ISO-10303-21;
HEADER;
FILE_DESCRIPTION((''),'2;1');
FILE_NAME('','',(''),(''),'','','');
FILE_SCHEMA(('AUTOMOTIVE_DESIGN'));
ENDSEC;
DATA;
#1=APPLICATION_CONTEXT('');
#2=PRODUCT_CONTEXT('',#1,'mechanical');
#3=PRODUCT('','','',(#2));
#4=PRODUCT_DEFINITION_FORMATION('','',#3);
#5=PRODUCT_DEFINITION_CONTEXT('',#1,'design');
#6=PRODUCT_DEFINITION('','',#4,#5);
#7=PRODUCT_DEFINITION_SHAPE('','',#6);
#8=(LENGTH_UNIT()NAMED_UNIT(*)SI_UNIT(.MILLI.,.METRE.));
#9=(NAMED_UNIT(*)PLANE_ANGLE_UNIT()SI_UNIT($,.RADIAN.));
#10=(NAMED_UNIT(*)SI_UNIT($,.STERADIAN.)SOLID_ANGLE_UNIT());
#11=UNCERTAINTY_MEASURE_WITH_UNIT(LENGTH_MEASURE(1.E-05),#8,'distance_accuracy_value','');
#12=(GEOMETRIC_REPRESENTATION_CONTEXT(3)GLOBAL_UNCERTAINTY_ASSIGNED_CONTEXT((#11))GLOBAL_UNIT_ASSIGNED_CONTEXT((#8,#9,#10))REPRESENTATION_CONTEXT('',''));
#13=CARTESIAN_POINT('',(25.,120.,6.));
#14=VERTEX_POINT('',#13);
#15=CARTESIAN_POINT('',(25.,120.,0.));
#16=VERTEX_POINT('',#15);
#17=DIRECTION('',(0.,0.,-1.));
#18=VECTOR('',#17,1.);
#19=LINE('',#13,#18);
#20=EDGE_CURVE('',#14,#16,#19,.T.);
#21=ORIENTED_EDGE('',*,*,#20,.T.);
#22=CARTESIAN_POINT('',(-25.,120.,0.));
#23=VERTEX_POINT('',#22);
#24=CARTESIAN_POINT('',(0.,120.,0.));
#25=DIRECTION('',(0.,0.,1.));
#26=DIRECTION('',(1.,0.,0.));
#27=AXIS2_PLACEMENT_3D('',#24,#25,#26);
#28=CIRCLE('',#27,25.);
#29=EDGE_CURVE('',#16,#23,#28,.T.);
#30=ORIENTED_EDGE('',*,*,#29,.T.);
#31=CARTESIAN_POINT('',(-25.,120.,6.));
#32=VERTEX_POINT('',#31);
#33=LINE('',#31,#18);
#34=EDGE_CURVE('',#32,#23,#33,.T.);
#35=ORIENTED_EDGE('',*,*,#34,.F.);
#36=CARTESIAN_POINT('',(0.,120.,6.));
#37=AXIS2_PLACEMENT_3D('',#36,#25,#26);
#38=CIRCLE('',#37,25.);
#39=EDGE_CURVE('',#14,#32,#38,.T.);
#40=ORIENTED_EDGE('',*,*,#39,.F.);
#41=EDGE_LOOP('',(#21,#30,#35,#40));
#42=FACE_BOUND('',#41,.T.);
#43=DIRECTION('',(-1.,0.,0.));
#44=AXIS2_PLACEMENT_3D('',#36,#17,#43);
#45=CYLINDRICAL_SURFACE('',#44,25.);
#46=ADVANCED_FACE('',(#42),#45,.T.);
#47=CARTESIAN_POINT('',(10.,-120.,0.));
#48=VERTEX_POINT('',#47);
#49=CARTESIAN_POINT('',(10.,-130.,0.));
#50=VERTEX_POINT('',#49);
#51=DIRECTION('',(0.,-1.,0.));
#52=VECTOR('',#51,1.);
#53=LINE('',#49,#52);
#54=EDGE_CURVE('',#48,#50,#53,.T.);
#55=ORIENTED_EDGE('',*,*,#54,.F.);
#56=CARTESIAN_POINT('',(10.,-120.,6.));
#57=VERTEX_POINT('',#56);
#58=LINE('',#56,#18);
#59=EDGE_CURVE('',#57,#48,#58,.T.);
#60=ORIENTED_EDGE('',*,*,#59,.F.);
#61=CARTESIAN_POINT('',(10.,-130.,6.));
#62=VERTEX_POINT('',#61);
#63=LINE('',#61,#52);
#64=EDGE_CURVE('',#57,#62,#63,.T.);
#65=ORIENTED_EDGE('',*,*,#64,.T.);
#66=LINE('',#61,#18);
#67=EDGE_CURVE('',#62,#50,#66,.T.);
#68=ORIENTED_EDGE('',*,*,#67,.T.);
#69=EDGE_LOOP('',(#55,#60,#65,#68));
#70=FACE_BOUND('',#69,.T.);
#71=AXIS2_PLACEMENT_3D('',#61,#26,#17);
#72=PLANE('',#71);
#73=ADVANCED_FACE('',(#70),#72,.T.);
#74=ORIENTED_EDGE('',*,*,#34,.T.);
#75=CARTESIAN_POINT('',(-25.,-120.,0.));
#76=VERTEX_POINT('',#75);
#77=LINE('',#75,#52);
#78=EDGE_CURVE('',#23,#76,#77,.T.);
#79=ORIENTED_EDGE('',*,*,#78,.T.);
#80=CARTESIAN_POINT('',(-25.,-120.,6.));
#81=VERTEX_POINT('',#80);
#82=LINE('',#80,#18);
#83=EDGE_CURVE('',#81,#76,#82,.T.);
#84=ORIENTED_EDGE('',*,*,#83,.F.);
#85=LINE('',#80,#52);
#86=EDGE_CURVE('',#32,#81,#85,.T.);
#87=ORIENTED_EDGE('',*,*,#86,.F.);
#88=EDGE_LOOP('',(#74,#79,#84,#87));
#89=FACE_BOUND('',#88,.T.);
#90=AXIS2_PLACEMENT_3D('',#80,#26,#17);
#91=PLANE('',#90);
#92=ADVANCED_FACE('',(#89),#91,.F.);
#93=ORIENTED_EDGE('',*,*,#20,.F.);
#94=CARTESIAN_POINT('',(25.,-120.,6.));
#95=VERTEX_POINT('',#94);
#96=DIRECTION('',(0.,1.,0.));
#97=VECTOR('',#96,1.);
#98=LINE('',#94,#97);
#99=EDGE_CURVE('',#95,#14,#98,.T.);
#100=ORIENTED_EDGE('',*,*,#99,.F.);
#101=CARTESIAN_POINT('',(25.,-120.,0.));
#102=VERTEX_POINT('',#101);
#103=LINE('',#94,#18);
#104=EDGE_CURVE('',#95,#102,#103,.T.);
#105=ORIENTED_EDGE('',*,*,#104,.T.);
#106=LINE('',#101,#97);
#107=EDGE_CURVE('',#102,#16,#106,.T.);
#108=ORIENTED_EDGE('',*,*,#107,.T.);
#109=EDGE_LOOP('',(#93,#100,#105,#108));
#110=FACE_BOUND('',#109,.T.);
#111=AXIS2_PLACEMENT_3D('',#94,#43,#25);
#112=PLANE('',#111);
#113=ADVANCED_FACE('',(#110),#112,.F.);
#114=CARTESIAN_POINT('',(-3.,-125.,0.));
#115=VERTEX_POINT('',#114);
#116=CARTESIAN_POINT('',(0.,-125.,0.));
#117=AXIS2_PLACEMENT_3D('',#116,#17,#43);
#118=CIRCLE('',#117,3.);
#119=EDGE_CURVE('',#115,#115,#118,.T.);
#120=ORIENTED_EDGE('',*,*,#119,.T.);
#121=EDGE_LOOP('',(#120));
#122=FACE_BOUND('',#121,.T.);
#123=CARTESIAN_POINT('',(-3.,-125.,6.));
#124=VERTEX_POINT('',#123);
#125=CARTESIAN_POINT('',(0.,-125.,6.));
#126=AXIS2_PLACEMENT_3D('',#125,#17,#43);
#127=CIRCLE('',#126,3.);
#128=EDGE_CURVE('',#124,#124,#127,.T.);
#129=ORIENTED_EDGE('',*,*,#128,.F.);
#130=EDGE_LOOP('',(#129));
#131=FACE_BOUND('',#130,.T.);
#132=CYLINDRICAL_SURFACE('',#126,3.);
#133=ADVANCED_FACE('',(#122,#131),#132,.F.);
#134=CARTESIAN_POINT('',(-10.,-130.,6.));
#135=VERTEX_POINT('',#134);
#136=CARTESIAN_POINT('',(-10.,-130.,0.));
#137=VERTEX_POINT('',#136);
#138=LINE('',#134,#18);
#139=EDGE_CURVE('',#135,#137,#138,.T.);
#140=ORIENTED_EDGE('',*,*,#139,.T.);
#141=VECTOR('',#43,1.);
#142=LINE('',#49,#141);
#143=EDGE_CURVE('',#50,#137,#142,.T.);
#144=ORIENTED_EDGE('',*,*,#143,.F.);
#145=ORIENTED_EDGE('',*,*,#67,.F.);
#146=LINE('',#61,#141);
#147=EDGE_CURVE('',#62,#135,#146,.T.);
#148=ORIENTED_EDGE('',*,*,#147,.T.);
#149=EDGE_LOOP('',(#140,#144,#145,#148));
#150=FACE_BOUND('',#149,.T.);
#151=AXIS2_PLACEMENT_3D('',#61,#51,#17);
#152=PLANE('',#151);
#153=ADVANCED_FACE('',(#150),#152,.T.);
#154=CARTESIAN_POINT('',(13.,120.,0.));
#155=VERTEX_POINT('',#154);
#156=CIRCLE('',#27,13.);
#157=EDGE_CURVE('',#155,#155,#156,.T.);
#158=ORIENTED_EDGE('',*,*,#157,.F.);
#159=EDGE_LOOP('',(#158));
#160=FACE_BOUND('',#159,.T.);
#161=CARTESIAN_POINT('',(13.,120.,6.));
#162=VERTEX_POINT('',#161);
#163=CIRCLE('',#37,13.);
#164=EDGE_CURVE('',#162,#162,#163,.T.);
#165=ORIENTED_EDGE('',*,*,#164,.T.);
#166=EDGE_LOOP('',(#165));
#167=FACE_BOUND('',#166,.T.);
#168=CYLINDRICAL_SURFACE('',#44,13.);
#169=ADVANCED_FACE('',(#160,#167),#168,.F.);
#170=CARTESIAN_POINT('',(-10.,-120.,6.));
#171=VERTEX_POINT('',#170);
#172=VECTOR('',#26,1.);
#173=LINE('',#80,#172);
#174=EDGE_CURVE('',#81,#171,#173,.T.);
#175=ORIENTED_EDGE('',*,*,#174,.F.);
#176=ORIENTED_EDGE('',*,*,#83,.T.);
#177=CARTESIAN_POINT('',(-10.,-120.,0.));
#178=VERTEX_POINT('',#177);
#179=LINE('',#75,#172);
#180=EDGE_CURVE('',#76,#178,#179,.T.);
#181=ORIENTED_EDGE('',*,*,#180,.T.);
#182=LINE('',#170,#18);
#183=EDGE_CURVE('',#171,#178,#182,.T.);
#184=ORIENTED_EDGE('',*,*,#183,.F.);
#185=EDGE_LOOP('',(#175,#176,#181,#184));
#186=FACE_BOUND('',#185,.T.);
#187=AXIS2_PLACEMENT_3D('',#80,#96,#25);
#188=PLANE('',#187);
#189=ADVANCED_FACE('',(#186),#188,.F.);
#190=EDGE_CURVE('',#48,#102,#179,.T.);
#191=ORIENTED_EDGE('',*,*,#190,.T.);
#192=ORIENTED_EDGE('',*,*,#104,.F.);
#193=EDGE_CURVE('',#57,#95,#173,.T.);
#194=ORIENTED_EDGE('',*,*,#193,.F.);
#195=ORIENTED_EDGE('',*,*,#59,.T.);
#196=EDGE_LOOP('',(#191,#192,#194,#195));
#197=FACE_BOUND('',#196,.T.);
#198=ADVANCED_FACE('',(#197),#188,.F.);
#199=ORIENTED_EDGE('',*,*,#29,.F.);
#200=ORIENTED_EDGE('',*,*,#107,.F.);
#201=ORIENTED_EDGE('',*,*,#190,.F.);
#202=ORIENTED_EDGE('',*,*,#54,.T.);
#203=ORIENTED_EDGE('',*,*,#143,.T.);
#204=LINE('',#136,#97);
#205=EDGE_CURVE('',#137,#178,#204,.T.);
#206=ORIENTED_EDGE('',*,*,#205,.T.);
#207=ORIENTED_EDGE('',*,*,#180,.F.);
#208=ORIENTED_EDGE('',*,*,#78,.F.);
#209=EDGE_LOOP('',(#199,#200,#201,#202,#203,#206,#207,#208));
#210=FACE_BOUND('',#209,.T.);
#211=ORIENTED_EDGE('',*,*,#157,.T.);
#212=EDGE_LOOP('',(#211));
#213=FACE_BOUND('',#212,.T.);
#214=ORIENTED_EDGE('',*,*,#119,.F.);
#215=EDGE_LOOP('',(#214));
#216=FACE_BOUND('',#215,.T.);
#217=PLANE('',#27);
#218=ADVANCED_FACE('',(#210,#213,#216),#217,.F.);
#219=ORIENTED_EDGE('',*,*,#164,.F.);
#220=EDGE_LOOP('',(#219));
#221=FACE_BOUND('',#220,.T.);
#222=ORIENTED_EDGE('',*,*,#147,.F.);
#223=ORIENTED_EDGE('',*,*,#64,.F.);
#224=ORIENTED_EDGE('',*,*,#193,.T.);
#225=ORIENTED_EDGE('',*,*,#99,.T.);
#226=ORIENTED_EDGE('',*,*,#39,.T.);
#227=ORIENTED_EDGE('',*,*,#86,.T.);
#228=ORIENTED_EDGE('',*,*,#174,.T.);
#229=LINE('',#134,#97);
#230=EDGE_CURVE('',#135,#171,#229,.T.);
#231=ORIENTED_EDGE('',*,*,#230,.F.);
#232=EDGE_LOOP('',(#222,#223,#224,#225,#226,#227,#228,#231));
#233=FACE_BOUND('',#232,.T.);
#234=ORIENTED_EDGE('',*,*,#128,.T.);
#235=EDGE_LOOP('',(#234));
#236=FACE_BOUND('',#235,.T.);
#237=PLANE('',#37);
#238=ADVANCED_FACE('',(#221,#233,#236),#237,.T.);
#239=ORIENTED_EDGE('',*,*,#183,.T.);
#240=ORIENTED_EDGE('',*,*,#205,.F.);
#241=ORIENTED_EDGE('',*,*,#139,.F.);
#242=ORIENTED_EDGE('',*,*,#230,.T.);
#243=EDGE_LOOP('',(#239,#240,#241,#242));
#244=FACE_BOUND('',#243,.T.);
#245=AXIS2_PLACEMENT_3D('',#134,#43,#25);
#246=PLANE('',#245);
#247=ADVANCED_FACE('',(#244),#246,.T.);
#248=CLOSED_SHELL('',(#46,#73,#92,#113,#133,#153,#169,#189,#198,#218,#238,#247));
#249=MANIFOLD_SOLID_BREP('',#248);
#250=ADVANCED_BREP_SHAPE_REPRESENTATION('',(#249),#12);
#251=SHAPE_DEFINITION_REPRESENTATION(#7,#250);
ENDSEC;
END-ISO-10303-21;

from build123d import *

# Parameters (mm, degrees)
SKETCH1_R           = 13
BOSS_EXTRUDE1_DEPTH = 6
SKETCH2_W           = 20
SKETCH2_H           = 10
SKETCH2_R           = 3
BOSS_EXTRUDE2_DEPTH = 6


with BuildPart() as part:
    # Sketch1 → Boss-Extrude1 (new body)
    with BuildSketch(Plane.XY):
        with BuildLine():
            Line((-25, -120), (25, -120))
            Line((25, -120), (25, 120))
            ThreePointArc((25, 120), (0, 145), (-25, 120))
            Line((-25, 120), (-25, -120))
        make_face()
        with Locations((0, 120)):
            Circle(SKETCH1_R, mode=Mode.SUBTRACT)
    extrude(amount=BOSS_EXTRUDE1_DEPTH)

    # Sketch2 → Boss-Extrude2 (add)
    with BuildSketch(Plane(origin=(0, 0, 0), x_dir=(-1, 0, 0), z_dir=(0, 0, -1))):
        with Locations((0, -125)):
            Rectangle(SKETCH2_W, SKETCH2_H)
        with Locations((0, -125)):
            Circle(SKETCH2_R, mode=Mode.SUBTRACT)
    extrude(amount=-BOSS_EXTRUDE2_DEPTH)


solid = part.part
